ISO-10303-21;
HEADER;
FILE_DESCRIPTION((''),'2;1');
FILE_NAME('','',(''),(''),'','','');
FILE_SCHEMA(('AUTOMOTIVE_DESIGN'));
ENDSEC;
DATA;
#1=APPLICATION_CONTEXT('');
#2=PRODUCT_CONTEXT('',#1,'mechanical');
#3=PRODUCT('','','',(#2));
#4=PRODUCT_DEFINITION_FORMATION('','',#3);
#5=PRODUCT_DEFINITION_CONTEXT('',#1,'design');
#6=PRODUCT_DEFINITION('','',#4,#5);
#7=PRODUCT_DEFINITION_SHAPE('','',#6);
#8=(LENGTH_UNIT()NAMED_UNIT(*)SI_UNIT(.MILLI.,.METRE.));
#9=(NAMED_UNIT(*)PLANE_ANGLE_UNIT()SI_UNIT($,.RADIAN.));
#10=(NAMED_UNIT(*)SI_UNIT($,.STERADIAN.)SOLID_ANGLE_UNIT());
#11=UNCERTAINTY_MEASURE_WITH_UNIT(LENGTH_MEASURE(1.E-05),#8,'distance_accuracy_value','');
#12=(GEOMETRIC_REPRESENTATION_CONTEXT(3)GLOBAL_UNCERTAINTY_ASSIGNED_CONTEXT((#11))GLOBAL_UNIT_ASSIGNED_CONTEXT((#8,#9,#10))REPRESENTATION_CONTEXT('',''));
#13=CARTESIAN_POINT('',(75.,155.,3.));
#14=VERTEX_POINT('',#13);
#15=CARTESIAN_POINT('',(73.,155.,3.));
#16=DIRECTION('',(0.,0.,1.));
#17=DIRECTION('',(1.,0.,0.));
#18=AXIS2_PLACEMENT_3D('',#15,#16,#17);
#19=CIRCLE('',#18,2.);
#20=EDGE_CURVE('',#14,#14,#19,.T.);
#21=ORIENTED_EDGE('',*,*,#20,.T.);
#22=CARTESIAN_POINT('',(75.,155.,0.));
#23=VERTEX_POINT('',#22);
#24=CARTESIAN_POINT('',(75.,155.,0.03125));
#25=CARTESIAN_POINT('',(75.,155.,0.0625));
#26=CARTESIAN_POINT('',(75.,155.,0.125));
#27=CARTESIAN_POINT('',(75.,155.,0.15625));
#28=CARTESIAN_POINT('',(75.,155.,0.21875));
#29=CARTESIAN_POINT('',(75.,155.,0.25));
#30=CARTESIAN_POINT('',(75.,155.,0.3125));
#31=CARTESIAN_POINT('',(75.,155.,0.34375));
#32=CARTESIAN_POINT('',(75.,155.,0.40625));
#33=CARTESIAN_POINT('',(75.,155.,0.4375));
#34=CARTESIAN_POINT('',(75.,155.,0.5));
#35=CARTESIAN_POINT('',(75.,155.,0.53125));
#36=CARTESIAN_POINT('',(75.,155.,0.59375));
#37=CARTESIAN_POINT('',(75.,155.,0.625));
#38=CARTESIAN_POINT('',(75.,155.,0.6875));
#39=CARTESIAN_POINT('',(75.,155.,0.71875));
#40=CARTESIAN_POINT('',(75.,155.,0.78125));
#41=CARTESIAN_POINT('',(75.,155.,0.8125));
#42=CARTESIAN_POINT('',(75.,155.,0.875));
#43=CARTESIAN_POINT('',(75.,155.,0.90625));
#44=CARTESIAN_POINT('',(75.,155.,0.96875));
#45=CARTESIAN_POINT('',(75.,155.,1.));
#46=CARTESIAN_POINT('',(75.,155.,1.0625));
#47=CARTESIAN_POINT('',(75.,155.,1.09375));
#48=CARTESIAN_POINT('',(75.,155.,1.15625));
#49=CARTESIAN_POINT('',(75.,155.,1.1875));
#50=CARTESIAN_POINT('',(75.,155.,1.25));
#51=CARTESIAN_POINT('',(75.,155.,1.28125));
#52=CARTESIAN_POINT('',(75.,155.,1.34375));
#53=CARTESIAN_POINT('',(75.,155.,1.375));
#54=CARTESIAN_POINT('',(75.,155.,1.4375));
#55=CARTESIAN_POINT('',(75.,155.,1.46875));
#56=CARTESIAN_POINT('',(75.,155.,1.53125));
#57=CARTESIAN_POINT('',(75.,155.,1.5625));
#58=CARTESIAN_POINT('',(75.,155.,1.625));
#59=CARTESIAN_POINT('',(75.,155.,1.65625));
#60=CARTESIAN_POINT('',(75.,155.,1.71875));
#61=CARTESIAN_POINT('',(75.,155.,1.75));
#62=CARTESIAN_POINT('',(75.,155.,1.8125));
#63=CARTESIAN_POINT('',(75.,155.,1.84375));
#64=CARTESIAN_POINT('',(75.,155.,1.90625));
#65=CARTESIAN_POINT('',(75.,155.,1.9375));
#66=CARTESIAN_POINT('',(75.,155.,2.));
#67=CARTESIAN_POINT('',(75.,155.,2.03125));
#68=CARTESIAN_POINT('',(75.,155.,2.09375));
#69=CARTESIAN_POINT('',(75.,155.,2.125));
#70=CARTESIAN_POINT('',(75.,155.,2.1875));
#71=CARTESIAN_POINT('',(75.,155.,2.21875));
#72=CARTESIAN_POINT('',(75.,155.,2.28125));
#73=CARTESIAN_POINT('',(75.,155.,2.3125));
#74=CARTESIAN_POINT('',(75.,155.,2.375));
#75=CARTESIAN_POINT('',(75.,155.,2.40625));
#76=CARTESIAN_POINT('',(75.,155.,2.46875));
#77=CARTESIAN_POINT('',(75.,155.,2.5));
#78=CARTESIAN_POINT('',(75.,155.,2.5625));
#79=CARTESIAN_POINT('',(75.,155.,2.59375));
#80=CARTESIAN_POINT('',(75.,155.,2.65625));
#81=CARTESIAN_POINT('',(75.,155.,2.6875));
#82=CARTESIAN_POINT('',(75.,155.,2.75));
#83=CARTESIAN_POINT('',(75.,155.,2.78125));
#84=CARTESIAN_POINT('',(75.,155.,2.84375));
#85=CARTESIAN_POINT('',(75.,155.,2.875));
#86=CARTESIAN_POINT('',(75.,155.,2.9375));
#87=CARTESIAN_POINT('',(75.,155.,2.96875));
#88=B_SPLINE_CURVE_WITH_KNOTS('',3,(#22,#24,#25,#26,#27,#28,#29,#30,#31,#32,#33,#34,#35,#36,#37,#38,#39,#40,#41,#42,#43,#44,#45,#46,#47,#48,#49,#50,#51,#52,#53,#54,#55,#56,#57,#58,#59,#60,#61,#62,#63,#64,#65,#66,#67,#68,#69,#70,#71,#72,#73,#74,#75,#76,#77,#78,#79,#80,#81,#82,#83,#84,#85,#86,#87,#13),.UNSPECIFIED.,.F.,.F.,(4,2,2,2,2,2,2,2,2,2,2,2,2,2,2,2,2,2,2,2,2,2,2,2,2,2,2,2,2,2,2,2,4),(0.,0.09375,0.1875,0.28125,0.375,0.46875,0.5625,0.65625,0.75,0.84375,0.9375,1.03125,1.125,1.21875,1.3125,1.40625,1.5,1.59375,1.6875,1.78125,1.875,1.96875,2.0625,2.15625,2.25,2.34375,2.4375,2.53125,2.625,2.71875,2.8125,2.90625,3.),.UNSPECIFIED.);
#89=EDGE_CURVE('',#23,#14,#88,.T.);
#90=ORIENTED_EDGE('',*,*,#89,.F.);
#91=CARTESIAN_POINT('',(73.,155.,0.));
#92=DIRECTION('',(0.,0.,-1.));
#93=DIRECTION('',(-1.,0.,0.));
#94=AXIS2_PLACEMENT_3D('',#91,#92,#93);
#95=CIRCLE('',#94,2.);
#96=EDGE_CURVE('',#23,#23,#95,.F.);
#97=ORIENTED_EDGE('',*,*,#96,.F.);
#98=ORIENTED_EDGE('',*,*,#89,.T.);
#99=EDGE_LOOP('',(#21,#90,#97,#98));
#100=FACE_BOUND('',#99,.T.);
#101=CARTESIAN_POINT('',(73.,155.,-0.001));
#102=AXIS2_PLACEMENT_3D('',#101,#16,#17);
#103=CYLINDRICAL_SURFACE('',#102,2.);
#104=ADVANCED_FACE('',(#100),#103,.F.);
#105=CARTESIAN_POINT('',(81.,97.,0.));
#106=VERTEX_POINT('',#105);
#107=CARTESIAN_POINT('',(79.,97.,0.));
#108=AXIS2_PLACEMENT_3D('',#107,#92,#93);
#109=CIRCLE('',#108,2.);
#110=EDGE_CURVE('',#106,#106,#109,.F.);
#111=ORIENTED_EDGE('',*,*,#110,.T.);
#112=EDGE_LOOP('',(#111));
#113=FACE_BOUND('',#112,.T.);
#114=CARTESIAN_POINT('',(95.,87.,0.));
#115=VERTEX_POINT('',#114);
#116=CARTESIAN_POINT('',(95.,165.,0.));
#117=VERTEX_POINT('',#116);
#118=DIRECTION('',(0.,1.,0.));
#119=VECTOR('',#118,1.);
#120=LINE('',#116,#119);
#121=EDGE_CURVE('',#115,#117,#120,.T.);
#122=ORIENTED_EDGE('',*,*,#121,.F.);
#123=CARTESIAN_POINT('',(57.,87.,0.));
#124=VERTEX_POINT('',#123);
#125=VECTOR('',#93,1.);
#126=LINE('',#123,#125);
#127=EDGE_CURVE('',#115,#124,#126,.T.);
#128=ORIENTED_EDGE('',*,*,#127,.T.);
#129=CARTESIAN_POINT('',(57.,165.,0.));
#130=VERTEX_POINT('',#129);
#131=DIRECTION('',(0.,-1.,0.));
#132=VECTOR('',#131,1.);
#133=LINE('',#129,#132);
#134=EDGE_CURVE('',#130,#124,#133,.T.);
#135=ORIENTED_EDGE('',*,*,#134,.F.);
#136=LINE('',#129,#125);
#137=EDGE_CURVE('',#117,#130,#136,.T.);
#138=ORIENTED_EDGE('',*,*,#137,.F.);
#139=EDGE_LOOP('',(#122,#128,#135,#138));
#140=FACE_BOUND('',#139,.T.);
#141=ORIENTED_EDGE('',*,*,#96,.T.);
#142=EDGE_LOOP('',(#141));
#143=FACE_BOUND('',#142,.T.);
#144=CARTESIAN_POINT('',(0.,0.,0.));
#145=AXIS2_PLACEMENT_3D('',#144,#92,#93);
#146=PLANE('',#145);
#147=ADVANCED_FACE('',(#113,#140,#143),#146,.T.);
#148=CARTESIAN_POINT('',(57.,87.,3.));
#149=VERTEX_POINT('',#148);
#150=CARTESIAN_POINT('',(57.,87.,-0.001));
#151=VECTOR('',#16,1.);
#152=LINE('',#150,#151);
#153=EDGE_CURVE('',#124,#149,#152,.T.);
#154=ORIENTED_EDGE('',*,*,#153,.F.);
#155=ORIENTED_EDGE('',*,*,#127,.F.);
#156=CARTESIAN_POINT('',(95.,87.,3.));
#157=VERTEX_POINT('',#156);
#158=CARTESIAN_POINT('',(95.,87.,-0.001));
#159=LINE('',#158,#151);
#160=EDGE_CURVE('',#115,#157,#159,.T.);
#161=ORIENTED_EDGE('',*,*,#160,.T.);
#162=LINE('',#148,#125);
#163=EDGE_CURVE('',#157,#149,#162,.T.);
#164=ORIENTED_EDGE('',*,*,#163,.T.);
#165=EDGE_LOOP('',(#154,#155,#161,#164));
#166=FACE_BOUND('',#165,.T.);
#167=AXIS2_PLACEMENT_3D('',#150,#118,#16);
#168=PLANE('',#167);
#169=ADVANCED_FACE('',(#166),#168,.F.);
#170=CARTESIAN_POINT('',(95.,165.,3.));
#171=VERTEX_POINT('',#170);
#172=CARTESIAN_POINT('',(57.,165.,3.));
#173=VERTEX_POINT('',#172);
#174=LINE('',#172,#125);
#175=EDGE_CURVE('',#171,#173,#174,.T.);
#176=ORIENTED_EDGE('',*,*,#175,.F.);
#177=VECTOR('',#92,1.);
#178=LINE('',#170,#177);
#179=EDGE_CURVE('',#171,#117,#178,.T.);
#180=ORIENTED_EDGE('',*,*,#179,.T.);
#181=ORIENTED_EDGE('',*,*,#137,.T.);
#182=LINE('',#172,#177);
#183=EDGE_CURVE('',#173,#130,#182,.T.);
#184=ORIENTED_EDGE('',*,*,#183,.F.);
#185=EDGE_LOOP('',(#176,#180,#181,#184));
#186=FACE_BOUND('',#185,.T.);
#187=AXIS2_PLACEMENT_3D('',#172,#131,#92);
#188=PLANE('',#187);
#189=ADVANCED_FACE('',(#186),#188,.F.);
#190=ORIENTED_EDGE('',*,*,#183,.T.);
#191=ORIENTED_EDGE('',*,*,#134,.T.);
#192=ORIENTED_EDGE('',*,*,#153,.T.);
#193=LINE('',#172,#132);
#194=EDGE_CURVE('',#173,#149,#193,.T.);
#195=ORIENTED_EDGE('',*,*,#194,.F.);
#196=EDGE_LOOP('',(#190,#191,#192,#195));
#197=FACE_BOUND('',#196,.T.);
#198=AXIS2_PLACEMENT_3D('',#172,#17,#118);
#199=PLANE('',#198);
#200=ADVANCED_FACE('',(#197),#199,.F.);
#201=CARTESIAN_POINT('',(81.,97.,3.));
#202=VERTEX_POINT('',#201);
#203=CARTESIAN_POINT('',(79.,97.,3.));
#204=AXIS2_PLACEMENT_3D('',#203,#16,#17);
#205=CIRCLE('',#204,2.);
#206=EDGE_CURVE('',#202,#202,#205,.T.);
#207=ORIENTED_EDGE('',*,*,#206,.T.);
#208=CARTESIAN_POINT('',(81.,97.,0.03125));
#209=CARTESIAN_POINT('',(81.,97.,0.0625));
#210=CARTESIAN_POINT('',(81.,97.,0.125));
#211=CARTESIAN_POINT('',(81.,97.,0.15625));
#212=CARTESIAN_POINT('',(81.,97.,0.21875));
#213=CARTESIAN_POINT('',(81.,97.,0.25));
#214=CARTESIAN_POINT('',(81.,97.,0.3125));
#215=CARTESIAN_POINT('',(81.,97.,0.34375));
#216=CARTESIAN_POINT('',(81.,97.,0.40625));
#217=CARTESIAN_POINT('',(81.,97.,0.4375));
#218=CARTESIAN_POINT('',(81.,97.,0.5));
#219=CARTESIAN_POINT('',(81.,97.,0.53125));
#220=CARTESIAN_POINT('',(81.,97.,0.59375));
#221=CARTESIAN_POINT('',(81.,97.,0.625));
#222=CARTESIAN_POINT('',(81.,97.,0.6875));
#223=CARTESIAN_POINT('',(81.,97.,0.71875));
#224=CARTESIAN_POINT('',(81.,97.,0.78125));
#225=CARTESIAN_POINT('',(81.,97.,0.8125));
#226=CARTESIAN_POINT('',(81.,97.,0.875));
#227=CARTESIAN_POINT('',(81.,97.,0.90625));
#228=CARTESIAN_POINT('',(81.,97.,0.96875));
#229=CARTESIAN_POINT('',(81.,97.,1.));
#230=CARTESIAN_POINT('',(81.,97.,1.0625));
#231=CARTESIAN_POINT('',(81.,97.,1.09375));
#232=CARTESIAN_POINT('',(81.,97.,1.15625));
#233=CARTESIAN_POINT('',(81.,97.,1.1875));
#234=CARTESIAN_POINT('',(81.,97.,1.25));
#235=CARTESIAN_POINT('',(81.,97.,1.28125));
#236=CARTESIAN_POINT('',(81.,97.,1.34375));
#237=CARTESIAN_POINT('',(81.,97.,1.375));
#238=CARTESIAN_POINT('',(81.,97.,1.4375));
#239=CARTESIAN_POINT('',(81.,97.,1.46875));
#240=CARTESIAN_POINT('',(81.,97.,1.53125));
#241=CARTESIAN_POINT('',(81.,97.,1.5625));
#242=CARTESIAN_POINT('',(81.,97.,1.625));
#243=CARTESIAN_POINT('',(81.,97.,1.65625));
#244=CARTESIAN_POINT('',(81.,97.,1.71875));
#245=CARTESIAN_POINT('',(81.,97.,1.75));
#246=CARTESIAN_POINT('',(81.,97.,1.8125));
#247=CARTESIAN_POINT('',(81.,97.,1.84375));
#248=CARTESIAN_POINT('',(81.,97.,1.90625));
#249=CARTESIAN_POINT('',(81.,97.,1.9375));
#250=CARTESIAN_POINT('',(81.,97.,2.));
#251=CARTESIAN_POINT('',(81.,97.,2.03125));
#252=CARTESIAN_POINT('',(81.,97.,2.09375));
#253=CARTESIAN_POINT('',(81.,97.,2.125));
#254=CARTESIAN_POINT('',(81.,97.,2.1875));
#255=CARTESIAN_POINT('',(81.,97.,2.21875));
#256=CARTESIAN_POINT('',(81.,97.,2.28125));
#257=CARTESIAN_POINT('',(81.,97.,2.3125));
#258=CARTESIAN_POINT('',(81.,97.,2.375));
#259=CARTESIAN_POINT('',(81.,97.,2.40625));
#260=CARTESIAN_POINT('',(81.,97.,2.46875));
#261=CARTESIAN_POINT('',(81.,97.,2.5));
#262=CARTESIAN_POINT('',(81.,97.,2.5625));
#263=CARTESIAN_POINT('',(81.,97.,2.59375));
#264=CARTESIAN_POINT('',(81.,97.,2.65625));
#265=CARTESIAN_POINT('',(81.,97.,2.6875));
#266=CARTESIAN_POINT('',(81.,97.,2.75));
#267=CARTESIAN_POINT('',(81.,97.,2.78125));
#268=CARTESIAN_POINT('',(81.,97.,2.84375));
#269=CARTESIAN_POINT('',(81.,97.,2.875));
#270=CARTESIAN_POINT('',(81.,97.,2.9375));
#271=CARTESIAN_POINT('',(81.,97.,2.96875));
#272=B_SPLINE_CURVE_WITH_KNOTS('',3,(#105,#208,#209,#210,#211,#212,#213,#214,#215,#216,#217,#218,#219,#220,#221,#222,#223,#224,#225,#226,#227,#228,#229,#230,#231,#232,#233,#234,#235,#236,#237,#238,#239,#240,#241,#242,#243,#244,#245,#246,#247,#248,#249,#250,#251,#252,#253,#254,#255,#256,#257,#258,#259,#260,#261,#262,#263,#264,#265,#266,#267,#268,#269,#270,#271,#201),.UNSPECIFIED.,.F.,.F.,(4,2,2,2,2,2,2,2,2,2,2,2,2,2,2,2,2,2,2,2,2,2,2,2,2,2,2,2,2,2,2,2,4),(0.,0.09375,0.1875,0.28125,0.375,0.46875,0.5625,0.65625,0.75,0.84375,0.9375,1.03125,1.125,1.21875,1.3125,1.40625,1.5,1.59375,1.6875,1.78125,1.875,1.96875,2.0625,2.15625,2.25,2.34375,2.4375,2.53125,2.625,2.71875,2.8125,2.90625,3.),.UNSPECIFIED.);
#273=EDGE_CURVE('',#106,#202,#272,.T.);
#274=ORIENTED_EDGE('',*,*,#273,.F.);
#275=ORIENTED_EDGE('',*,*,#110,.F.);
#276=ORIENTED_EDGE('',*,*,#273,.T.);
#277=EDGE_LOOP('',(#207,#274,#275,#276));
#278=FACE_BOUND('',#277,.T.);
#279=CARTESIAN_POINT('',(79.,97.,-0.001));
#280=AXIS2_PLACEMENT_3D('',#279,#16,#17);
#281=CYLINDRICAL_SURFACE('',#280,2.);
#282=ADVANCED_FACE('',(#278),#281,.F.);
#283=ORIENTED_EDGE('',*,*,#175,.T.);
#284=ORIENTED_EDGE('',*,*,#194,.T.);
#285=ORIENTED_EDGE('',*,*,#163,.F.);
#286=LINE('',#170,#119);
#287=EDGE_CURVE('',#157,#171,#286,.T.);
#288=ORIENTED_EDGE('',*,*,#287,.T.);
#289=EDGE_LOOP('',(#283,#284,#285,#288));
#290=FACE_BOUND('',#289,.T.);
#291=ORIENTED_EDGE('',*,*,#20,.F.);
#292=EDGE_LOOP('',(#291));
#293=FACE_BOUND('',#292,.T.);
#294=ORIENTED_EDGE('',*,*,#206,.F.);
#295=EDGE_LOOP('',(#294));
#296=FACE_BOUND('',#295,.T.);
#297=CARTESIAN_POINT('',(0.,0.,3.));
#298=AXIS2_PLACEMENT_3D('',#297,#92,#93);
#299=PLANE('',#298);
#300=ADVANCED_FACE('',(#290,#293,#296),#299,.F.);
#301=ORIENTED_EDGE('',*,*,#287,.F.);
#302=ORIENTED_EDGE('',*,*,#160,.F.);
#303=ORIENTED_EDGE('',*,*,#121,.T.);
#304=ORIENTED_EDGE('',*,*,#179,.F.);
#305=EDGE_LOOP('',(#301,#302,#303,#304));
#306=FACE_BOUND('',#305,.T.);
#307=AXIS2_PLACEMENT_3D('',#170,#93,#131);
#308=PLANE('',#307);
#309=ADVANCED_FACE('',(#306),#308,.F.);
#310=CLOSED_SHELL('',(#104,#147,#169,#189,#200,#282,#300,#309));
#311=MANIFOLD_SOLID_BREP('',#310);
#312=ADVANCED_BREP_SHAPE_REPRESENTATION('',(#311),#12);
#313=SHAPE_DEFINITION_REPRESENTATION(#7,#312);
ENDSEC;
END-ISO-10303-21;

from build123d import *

# Parameters (mm, degrees)
ESQUISSE1_W             = 38
ESQUISSE1_H             = 320
BOSS_EXTRU_1_DEPTH      = 3
ENL_V_MAT_EXTRU_1_REACH = 192.418
ESQUISSE2_R             = 2
ENL_V_MAT_EXTRU_2_REACH = 192.418
ESQUISSE3_W             = 38
ESQUISSE3_H             = 242


with BuildPart() as part:
    # Esquisse1 → Boss.-Extru.1 (new body)
    with BuildSketch(Plane.XY):
        with Locations((76, 5)):
            Rectangle(ESQUISSE1_W, ESQUISSE1_H)
    extrude(amount=BOSS_EXTRU_1_DEPTH)

    # Esquisse2 → Enlèv. mat.-Extru.1 (cut, up to next)
    with BuildSketch(Plane.XY.offset(3), mode=Mode.PRIVATE) as enl_v_mat_extru_1_sk1:
        with Locations((73, 155)):
            Circle(ESQUISSE2_R)
    enl_v_mat_extru_1_tool1 = extrude(enl_v_mat_extru_1_sk1.sketch, amount=-ENL_V_MAT_EXTRU_1_REACH, mode=Mode.PRIVATE) & part.part
    # Esquisse2 → Enlèv. mat.-Extru.1 (cut, up to next)
    with BuildSketch(Plane.XY.offset(3), mode=Mode.PRIVATE) as enl_v_mat_extru_1_sk2:
        with Locations((79, 97)):
            Circle(ESQUISSE2_R)
    enl_v_mat_extru_1_tool2 = extrude(enl_v_mat_extru_1_sk2.sketch, amount=-ENL_V_MAT_EXTRU_1_REACH, mode=Mode.PRIVATE) & part.part
    add(enl_v_mat_extru_1_tool1.solids().sort_by_distance((73, 155, 3))[0], mode=Mode.SUBTRACT)
    add(enl_v_mat_extru_1_tool2.solids().sort_by_distance((79, 97, 3))[0], mode=Mode.SUBTRACT)

    # Esquisse3 → Enlèv. mat.-Extru.2 (cut, up to next)
    with BuildSketch(Plane.XY.offset(3), mode=Mode.PRIVATE) as enl_v_mat_extru_2_sk1:
        with Locations((76, -34)):
            Rectangle(ESQUISSE3_W, ESQUISSE3_H)
    enl_v_mat_extru_2_tool1 = extrude(enl_v_mat_extru_2_sk1.sketch, amount=-ENL_V_MAT_EXTRU_2_REACH, mode=Mode.PRIVATE) & part.part
    add(enl_v_mat_extru_2_tool1.solids().sort_by_distance((76, -34, 3))[0], mode=Mode.SUBTRACT)


solid = part.part
